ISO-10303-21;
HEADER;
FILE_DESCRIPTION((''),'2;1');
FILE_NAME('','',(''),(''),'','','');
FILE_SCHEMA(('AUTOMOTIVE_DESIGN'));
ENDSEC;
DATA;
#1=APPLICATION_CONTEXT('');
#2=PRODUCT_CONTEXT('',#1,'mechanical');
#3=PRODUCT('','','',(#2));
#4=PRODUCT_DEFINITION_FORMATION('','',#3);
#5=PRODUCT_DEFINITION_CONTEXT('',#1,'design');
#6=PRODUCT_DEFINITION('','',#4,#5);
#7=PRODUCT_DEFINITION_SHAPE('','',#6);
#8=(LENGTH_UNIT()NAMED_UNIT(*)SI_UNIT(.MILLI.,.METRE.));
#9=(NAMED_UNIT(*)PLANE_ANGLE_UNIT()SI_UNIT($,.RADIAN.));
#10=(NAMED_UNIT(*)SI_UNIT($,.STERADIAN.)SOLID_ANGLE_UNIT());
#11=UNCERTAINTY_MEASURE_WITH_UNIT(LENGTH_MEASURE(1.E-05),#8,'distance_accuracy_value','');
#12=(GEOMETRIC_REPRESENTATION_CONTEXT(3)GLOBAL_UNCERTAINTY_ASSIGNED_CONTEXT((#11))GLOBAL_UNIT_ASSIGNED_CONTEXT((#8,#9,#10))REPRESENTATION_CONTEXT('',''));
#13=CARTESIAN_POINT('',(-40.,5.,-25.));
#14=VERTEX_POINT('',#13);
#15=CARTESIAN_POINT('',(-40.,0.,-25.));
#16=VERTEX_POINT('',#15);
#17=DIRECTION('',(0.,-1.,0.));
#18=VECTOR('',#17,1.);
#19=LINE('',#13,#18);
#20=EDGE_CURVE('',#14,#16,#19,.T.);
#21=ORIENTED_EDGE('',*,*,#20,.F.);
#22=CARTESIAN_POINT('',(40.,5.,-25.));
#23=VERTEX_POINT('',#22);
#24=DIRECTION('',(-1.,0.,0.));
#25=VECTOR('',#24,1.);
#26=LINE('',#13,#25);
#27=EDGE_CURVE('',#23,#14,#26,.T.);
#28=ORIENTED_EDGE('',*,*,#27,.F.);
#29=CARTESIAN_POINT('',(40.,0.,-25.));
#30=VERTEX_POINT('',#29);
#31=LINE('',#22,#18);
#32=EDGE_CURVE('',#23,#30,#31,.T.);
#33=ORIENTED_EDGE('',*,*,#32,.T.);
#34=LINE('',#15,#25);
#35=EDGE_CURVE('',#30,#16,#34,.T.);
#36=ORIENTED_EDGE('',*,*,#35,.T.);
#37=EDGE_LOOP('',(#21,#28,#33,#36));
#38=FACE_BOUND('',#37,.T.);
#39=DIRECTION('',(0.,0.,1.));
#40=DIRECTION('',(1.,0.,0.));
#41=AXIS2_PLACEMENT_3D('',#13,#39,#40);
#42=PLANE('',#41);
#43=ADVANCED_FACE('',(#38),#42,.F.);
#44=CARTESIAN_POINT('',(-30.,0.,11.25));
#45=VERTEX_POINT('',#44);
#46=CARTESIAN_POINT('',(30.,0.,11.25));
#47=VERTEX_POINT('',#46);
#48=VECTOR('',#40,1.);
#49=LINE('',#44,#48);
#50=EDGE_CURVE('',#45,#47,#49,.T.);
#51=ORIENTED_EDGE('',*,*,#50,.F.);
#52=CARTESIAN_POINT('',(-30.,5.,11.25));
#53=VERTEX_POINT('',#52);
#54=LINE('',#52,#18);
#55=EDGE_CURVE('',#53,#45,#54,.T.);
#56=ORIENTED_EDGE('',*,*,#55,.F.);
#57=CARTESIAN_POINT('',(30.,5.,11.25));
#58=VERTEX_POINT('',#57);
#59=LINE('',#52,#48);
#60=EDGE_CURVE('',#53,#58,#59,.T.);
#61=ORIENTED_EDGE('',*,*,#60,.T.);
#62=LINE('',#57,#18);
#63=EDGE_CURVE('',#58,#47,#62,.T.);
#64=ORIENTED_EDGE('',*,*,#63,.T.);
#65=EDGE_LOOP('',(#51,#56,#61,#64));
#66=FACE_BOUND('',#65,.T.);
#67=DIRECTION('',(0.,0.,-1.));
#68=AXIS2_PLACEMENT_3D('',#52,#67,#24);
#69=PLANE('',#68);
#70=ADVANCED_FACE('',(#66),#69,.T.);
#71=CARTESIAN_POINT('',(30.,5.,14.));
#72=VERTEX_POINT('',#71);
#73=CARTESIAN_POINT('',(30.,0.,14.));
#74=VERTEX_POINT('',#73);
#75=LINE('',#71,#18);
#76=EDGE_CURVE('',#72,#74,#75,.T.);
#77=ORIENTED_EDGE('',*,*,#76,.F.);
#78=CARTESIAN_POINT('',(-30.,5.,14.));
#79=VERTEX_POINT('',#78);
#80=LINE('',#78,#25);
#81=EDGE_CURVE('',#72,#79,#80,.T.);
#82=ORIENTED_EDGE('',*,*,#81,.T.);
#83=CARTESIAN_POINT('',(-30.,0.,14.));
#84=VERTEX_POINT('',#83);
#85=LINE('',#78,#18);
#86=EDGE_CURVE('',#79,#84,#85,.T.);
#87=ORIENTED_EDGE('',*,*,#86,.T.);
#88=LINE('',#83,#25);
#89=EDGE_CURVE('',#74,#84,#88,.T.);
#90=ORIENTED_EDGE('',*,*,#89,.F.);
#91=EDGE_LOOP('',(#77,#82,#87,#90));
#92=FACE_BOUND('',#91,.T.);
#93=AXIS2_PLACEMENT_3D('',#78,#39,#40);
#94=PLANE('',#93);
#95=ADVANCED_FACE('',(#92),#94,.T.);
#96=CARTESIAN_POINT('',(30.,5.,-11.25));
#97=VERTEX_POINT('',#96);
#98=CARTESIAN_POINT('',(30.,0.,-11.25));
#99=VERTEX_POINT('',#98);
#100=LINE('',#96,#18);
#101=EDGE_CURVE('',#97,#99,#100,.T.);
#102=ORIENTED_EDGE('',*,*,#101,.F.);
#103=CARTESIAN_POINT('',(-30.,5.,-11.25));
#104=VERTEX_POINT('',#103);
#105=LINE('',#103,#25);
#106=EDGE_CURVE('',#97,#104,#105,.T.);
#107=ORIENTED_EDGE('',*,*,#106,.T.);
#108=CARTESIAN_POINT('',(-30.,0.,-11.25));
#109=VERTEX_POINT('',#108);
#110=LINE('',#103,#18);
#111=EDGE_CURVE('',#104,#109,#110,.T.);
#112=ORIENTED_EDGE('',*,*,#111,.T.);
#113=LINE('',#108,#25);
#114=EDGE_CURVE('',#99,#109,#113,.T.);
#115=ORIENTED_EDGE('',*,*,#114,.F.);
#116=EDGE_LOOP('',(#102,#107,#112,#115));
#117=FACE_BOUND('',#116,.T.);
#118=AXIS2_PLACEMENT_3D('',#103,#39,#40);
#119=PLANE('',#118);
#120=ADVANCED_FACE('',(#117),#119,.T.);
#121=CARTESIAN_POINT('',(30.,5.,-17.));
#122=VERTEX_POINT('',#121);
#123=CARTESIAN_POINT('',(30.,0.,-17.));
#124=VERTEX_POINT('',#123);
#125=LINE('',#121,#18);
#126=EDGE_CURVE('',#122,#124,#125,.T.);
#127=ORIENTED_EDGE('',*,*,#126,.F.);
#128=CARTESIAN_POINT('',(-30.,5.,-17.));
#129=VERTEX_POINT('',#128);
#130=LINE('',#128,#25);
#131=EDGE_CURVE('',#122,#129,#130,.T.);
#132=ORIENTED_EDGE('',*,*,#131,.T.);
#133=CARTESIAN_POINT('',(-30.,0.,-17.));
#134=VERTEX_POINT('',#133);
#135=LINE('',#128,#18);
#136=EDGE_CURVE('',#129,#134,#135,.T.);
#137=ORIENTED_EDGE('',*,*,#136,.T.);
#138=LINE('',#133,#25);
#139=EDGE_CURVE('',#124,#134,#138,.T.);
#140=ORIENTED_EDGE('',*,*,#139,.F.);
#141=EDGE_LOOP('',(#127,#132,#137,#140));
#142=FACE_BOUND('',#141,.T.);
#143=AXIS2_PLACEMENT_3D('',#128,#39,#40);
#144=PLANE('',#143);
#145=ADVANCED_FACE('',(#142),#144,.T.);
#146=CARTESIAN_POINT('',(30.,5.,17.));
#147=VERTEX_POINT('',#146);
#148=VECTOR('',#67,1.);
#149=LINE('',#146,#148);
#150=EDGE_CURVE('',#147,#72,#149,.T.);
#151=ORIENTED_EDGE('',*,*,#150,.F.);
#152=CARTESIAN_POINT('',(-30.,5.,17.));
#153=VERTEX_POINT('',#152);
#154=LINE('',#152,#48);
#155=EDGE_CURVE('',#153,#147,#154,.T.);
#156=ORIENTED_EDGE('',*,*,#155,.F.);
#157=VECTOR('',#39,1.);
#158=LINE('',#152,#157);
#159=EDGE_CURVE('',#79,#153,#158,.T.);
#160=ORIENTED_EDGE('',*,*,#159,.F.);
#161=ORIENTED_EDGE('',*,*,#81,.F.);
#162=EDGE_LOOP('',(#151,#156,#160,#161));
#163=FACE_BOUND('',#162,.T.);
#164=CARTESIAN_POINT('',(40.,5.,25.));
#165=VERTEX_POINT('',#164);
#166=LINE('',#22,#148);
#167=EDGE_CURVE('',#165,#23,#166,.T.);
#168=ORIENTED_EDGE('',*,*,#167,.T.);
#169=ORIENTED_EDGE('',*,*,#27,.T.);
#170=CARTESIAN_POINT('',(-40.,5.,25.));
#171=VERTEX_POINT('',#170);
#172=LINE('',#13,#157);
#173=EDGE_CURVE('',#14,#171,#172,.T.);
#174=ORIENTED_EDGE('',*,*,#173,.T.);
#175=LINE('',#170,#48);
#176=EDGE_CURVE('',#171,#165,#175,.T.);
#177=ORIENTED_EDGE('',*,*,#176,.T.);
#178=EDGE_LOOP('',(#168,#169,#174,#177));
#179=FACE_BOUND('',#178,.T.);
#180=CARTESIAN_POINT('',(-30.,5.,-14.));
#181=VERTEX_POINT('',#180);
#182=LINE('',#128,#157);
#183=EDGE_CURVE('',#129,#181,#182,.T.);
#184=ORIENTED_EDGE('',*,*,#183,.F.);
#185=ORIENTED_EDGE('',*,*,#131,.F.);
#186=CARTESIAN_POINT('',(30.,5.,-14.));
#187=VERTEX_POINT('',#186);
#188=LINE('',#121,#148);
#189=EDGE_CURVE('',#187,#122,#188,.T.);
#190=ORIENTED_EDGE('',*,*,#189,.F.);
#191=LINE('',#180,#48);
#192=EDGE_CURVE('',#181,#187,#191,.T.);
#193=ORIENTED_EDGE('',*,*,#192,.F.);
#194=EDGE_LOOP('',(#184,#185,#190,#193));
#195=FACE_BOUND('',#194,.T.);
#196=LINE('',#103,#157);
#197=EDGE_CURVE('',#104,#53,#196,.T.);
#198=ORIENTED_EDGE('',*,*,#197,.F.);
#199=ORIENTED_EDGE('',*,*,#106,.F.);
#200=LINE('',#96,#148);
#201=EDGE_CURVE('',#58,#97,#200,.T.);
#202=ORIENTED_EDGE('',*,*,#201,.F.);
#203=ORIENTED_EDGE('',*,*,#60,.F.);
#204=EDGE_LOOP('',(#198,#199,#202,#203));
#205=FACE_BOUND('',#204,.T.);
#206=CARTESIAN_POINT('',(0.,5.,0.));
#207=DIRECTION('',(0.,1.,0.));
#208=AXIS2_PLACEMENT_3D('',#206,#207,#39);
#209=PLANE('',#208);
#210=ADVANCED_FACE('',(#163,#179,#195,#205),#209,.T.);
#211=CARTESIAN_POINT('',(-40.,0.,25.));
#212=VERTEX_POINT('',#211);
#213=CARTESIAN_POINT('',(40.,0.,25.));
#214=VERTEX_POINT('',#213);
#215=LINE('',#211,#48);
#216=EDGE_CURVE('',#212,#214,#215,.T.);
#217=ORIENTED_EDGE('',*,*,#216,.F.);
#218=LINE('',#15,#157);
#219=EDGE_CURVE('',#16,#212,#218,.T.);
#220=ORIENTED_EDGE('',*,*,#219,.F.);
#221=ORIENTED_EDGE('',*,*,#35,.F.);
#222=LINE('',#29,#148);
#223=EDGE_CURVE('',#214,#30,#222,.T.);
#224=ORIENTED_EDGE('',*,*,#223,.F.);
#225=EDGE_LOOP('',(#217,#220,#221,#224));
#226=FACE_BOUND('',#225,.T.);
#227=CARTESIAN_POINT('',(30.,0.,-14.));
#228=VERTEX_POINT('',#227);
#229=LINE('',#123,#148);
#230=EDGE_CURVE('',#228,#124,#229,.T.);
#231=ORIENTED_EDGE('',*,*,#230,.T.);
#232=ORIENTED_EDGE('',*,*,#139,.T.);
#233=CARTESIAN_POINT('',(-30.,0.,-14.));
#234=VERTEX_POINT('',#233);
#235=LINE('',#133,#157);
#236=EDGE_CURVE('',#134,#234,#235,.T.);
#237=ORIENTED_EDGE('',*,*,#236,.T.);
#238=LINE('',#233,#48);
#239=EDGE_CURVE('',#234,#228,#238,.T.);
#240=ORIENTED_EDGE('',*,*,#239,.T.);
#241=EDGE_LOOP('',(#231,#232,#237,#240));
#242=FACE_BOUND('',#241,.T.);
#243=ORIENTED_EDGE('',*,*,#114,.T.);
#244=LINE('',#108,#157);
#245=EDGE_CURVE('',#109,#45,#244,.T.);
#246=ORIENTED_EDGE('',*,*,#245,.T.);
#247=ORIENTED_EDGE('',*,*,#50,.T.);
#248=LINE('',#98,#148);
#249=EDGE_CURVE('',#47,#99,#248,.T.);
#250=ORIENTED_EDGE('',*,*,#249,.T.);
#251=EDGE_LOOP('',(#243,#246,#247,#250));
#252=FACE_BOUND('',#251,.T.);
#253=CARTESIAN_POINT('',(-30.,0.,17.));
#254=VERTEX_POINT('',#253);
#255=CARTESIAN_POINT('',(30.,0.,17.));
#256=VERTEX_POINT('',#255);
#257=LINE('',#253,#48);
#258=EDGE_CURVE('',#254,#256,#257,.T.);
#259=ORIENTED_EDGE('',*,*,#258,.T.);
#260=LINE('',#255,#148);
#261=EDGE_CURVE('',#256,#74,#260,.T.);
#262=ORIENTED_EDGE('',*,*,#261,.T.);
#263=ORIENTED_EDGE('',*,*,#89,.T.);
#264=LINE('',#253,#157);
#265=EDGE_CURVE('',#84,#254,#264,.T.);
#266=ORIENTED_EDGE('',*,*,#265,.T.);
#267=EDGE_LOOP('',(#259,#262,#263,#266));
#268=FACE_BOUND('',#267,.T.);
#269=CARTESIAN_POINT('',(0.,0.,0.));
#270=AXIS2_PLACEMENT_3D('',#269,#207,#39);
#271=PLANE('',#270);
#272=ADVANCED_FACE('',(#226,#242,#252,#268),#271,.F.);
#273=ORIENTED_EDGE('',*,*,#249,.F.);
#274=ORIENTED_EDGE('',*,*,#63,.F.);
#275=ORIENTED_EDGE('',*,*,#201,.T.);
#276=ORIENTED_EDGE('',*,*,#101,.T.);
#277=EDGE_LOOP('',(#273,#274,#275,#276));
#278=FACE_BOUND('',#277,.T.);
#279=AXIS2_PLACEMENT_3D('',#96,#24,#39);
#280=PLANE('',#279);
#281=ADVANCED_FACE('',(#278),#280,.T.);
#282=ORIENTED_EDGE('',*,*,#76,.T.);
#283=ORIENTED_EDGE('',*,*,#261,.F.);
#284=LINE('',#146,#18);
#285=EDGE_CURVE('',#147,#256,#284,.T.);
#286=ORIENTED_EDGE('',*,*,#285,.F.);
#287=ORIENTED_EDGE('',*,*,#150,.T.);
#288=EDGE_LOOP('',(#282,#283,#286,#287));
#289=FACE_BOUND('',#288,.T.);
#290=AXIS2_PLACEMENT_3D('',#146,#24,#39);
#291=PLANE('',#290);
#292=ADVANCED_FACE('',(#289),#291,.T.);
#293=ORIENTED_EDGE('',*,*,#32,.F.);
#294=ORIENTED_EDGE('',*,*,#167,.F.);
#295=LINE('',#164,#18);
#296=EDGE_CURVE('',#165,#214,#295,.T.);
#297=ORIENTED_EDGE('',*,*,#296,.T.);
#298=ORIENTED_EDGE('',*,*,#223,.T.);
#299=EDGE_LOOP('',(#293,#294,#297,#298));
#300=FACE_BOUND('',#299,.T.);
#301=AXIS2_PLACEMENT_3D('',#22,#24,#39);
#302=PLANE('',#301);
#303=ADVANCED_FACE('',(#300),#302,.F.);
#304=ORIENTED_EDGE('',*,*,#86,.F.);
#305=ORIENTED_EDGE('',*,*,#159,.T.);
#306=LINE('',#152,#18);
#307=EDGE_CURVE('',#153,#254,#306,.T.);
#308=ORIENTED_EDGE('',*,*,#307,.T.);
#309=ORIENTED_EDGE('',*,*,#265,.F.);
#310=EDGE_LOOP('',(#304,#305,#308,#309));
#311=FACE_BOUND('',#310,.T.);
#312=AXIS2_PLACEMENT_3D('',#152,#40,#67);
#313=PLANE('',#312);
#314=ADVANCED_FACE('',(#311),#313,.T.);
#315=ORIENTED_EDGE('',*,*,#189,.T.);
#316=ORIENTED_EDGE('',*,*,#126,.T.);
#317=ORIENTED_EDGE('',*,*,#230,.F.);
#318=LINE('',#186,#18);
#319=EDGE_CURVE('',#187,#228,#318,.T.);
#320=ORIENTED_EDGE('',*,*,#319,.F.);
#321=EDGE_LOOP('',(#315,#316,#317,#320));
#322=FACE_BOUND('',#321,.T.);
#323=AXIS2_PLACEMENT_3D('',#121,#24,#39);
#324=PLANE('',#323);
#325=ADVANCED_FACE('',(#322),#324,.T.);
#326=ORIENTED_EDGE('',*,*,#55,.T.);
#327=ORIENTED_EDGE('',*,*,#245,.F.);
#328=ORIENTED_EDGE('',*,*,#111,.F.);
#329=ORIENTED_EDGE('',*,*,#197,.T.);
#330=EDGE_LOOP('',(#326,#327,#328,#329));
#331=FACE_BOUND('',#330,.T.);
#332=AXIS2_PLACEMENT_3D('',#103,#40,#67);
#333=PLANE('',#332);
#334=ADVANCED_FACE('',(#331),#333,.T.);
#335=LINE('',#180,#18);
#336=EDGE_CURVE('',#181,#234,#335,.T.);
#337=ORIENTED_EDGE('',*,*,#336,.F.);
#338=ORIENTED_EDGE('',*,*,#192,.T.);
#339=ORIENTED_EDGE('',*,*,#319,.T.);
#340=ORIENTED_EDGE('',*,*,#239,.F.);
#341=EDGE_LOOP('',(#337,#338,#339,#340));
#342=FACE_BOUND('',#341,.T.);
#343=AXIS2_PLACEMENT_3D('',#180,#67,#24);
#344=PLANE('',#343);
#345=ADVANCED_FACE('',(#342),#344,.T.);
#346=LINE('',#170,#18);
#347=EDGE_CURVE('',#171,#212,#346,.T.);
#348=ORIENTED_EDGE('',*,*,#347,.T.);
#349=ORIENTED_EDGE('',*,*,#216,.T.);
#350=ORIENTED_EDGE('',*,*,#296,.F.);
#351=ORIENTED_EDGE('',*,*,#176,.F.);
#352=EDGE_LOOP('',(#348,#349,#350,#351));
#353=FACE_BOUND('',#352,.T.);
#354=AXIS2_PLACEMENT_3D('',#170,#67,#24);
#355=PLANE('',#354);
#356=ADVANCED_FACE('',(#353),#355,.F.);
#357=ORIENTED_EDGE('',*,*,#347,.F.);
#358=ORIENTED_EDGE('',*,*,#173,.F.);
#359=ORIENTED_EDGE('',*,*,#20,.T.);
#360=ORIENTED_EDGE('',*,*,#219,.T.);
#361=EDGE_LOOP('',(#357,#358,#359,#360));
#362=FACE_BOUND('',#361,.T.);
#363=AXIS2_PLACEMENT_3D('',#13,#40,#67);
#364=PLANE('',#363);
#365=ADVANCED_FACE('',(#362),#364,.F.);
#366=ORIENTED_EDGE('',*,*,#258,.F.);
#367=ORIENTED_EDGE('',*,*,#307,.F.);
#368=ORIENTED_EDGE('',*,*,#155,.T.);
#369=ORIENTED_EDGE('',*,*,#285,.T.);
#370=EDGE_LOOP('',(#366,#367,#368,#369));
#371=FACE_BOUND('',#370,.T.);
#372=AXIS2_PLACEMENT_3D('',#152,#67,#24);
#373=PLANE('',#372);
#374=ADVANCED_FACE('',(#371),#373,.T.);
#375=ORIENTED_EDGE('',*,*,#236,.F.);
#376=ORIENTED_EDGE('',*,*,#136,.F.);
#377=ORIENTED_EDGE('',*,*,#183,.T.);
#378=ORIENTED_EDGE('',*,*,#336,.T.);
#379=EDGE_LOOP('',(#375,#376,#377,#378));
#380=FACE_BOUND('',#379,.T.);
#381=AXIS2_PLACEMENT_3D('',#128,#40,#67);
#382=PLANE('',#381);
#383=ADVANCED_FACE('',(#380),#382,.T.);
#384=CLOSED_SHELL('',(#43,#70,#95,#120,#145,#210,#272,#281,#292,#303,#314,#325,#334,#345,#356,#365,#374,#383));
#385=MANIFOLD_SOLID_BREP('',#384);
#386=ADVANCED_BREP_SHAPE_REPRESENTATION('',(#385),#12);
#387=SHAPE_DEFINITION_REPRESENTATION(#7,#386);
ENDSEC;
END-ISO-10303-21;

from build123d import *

# Parameters (mm, degrees)
SKETCH1_W           = 80
SKETCH1_H           = 50
SKETCH1_W_2         = 60
SKETCH1_H_2         = 3
SKETCH1_H_3         = 22.5
BOSS_EXTRUDE1_DEPTH = 5


with BuildPart() as part:
    # Sketch1 → Boss-Extrude1 (new body)
    with BuildSketch(Plane(origin=(0, 0, 0), x_dir=(1, 0, 0), z_dir=(0, 1, 0))):
        Rectangle(SKETCH1_W, SKETCH1_H)
        with Locations((0, 15.5)):
            Rectangle(SKETCH1_W_2, SKETCH1_H_2, mode=Mode.SUBTRACT)
        with Locations((0, -15.5)):
            Rectangle(SKETCH1_W_2, SKETCH1_H_2, mode=Mode.SUBTRACT)
        Rectangle(SKETCH1_W_2, SKETCH1_H_3, mode=Mode.SUBTRACT)
    extrude(amount=BOSS_EXTRUDE1_DEPTH)


solid = part.part
